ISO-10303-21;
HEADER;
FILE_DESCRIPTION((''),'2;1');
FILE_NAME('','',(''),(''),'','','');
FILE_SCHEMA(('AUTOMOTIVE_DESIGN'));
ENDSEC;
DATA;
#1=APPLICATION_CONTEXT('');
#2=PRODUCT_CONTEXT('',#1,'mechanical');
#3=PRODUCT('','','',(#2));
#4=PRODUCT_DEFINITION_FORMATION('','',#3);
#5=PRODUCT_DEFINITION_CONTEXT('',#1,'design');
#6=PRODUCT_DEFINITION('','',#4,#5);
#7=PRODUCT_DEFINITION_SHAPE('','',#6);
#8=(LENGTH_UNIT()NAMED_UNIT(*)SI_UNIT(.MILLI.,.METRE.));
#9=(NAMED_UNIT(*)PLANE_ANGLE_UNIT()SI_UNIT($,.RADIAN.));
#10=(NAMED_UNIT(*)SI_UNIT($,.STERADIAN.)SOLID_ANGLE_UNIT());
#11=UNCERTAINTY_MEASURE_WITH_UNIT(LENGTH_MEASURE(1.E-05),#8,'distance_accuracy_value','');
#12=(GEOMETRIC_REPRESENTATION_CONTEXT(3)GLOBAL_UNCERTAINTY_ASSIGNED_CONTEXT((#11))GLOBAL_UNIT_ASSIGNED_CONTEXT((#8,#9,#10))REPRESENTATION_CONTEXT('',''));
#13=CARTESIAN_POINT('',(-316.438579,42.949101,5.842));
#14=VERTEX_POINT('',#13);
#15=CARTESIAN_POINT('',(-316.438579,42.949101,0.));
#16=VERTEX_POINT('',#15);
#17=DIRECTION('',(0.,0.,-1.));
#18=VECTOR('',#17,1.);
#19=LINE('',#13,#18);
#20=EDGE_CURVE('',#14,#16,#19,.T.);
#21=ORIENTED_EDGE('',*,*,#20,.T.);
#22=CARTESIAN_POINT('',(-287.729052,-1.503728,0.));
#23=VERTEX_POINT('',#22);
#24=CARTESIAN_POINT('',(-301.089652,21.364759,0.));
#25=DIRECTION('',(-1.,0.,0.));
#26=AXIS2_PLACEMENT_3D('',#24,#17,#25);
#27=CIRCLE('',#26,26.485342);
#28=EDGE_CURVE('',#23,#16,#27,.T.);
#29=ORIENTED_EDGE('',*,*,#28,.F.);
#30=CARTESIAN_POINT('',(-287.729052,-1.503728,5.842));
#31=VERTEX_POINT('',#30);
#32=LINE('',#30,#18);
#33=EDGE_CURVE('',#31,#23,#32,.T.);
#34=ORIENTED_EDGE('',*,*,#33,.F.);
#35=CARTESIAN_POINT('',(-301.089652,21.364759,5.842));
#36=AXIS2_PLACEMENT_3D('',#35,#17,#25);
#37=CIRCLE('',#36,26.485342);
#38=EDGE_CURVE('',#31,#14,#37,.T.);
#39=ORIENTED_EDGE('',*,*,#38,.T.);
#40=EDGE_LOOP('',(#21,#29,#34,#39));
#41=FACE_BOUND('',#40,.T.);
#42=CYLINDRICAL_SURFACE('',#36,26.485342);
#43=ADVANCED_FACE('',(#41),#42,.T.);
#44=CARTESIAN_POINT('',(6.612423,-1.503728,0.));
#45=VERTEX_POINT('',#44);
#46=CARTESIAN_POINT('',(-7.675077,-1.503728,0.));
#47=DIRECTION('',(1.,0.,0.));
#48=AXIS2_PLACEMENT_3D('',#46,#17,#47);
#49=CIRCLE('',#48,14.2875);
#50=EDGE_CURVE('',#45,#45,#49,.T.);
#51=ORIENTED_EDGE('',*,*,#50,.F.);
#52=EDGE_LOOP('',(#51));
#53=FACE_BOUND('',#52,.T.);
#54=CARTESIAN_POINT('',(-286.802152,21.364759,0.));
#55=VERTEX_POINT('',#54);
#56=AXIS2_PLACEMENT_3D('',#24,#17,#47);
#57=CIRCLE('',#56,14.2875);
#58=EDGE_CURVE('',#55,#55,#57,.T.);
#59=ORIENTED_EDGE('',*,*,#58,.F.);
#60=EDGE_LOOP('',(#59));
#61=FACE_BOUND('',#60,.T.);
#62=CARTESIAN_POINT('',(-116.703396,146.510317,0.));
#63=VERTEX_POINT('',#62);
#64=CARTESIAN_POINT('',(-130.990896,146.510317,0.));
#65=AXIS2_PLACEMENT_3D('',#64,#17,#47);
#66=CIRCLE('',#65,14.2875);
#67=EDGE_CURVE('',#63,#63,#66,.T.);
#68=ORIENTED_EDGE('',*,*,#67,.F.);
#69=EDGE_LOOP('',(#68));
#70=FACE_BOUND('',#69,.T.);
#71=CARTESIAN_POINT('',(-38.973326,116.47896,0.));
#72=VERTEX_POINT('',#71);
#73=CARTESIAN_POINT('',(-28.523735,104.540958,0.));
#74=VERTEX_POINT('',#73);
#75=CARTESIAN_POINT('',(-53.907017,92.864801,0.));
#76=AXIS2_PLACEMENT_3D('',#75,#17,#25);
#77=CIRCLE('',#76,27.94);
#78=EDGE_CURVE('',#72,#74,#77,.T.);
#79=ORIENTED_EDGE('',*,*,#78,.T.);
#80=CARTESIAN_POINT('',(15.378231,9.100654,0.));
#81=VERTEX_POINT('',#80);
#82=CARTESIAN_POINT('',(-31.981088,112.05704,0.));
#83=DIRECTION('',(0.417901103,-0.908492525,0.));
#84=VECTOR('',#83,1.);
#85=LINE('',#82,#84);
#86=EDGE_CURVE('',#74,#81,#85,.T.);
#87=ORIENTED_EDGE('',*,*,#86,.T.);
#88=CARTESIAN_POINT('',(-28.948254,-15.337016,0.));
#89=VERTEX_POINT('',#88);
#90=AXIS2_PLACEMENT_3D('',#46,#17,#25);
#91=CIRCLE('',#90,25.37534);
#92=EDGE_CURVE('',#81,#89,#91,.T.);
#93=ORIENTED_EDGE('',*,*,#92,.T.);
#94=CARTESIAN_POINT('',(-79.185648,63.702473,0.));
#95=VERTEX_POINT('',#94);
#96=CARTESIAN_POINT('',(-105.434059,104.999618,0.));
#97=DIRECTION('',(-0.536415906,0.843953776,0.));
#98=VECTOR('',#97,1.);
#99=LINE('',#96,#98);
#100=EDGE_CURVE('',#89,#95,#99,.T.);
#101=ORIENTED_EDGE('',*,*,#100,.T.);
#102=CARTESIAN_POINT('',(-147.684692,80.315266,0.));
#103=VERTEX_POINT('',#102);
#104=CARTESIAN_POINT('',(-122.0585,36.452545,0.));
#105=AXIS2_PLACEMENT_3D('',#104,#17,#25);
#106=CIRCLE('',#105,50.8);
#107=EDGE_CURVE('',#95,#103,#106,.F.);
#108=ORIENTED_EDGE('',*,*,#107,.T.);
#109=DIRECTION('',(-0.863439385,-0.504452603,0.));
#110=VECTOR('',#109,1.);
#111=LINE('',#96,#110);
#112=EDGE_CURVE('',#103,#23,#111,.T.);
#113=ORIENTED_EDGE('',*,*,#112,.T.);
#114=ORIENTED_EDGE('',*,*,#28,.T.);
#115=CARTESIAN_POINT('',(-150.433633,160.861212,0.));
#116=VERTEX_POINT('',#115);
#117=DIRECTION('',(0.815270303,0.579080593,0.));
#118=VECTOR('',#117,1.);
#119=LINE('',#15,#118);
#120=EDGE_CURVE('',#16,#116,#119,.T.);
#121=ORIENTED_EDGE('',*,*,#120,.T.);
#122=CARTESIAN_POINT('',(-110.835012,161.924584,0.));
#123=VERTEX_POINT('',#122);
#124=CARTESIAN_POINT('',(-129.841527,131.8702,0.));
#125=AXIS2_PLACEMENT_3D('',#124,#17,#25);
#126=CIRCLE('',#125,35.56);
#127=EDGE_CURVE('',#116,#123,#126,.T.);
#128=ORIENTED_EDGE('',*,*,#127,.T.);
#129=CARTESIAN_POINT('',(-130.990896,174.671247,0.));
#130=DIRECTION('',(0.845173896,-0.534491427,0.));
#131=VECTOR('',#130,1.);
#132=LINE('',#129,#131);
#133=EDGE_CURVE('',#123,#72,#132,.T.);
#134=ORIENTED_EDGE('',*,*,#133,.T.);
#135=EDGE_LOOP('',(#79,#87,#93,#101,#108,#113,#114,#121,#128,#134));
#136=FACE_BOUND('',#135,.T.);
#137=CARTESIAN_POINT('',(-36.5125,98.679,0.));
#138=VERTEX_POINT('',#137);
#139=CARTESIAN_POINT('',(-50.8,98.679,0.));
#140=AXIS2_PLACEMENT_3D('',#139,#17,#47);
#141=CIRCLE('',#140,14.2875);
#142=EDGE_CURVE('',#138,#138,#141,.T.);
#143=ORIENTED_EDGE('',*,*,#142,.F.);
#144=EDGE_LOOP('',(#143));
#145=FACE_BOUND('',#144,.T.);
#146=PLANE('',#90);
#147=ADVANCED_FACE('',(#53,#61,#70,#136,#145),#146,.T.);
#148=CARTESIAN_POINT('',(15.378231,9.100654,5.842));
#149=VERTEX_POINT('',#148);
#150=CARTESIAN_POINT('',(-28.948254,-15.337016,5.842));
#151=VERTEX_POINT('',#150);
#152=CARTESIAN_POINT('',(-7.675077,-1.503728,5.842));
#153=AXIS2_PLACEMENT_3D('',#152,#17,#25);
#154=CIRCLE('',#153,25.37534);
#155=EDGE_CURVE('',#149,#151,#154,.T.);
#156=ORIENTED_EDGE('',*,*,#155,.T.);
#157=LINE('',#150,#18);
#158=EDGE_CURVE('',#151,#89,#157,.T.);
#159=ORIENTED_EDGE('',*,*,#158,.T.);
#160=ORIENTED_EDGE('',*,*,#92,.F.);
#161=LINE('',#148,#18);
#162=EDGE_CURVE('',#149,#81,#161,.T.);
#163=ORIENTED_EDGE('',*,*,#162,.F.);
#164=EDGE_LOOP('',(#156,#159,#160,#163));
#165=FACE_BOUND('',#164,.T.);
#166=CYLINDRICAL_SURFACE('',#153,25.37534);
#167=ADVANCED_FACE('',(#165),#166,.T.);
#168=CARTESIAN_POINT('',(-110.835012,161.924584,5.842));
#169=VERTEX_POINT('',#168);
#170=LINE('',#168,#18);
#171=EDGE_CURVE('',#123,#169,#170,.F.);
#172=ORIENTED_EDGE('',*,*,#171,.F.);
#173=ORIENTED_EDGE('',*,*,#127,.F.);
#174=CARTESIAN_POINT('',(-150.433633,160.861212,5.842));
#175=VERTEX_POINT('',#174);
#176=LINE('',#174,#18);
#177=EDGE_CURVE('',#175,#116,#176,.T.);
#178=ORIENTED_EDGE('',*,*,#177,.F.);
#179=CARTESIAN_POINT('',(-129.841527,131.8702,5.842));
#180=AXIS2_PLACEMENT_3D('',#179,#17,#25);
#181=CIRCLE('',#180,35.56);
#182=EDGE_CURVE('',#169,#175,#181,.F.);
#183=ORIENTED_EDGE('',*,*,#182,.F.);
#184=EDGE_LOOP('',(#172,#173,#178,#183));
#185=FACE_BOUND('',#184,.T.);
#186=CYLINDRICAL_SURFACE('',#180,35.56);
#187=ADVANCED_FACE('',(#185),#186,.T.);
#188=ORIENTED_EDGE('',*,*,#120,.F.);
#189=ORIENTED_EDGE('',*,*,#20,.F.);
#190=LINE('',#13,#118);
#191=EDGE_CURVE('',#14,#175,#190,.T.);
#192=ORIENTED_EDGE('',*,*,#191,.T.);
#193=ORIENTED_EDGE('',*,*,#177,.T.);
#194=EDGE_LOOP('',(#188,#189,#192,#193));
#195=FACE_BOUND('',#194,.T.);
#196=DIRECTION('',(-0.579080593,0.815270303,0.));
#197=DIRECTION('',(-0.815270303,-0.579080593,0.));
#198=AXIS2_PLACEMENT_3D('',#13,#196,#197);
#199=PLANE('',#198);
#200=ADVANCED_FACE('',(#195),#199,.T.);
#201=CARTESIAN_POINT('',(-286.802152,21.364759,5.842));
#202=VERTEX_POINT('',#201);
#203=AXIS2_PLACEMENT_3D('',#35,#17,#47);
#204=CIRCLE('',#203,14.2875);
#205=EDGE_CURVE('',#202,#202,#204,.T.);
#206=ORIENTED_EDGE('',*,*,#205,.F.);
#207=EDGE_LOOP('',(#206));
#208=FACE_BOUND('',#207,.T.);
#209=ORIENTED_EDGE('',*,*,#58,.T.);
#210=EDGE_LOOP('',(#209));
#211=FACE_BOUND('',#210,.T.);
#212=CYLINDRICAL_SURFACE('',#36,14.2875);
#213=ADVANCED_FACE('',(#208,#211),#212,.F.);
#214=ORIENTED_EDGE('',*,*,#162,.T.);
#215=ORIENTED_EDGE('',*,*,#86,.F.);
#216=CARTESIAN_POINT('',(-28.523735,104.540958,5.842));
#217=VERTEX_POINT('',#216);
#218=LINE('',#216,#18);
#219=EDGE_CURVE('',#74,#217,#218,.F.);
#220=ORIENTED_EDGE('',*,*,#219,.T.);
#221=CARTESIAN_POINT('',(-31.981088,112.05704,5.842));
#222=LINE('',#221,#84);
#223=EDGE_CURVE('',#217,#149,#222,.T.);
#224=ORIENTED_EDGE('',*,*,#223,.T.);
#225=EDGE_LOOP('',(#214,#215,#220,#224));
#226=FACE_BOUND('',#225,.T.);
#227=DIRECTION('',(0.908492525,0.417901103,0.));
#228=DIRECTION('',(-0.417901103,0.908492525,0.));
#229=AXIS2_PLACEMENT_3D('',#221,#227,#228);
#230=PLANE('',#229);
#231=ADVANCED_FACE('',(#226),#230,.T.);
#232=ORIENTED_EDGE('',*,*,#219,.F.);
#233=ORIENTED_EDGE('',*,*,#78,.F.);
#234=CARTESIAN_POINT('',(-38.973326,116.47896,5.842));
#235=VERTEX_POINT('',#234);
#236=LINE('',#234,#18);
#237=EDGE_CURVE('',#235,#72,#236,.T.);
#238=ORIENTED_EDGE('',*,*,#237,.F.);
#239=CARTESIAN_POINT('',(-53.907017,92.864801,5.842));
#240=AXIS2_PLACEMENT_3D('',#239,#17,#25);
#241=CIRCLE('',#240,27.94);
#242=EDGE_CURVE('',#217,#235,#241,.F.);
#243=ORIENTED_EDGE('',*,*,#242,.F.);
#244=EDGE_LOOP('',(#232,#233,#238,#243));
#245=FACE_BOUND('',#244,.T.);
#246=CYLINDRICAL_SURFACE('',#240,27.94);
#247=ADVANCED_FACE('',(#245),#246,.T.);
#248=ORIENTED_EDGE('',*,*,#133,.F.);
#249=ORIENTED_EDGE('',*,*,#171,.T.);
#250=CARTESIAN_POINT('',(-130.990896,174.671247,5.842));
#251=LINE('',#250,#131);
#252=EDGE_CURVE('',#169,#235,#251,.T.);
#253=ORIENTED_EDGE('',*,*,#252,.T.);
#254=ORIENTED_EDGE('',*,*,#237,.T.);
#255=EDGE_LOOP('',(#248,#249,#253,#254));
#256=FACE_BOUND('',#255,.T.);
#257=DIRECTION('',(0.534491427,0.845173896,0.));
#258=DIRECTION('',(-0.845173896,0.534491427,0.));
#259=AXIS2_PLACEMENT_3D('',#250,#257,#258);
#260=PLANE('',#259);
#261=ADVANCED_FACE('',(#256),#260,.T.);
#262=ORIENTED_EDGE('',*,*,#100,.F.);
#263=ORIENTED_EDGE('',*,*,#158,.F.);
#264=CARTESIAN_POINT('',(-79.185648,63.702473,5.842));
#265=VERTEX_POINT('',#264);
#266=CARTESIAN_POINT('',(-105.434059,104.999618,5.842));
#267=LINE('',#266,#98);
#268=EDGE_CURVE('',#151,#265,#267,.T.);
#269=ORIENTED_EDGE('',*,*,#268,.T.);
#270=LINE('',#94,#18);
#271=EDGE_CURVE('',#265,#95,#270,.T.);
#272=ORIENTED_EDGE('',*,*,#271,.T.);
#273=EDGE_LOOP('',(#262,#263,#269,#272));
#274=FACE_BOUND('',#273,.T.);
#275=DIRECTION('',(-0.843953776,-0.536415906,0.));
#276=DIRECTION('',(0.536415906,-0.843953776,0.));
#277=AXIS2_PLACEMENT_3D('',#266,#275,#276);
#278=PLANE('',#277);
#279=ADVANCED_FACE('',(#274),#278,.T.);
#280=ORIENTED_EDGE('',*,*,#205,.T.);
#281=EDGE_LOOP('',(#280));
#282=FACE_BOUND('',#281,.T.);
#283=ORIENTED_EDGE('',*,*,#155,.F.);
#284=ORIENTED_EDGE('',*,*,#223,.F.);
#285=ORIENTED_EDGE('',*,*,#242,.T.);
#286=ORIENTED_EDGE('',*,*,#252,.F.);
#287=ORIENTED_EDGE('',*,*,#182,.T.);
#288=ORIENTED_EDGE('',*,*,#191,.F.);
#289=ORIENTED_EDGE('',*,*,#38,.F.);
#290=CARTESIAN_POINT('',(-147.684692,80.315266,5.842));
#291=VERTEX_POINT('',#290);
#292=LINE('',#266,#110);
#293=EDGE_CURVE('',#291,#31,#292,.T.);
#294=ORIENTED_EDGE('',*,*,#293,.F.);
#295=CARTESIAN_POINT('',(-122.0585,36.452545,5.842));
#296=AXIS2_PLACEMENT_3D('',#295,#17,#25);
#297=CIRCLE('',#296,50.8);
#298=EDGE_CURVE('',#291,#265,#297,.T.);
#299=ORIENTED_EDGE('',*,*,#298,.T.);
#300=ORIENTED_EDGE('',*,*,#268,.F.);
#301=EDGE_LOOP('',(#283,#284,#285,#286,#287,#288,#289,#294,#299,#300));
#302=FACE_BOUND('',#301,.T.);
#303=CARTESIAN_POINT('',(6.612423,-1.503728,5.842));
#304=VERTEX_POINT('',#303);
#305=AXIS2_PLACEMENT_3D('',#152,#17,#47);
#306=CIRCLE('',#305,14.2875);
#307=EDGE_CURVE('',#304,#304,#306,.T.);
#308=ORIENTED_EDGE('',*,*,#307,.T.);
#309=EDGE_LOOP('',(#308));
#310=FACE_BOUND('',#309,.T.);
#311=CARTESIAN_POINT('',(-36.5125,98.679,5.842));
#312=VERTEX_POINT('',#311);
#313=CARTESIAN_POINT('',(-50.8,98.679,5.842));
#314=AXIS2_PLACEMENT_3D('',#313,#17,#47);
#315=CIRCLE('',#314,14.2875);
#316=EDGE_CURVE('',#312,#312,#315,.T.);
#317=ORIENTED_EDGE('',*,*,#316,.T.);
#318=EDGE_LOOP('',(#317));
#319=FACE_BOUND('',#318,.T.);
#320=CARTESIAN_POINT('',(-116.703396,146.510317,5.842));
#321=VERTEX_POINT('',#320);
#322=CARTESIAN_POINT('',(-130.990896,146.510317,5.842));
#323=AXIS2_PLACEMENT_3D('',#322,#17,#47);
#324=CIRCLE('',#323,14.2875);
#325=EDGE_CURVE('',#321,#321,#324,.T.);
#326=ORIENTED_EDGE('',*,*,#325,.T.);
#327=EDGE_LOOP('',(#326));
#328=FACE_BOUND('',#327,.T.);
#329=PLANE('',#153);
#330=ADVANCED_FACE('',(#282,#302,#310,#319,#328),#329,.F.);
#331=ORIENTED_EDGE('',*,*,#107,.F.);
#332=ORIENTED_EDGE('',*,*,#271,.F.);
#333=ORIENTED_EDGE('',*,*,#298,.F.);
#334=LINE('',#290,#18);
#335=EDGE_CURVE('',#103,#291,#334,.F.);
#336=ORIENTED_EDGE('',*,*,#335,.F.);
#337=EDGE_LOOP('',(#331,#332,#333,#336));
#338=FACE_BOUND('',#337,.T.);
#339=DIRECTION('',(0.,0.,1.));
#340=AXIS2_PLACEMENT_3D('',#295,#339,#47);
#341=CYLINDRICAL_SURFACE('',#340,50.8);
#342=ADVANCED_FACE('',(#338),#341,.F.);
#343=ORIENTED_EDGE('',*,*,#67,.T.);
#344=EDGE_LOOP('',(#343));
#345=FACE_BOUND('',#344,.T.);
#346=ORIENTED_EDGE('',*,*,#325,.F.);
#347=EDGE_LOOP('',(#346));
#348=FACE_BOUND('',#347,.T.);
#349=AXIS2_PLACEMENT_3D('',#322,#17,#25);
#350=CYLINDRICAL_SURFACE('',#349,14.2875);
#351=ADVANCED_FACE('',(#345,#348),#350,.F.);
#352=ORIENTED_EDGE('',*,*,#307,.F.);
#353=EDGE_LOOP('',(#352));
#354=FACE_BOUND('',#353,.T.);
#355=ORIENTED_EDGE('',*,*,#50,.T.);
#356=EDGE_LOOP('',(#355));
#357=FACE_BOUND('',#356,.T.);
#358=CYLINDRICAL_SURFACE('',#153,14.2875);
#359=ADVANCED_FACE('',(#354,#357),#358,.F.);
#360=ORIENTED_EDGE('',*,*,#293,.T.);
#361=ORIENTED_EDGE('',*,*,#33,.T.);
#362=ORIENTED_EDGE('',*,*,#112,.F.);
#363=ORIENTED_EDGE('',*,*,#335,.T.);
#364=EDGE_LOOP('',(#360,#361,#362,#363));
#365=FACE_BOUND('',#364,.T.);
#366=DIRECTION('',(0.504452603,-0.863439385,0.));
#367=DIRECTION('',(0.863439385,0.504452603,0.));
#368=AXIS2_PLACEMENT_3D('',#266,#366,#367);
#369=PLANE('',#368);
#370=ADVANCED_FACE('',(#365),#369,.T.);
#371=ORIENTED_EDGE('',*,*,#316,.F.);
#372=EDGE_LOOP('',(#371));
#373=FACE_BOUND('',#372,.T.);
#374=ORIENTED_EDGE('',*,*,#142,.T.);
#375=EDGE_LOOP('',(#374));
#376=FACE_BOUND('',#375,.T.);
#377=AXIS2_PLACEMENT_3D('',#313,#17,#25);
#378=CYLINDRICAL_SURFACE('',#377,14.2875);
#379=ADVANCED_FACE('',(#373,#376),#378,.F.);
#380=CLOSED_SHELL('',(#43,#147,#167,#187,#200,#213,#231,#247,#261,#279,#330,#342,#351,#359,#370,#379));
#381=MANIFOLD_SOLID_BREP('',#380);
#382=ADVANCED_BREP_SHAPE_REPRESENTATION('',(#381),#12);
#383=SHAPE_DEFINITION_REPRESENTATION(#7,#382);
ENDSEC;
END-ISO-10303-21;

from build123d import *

# Parameters (mm, degrees)
SKETCH1_R           = 14.2875
BOSS_EXTRUDE1_DEPTH = 5.842
FILLET6_R           = 35.56
FILLET10_R          = 27.94
FILLET13_R          = 50.8


with BuildPart() as part:
    # Sketch1 → Boss-Extrude1 (new body)
    with BuildSketch(Plane(origin=(0, 0, 0), x_dir=(-1, 0, 0), z_dir=(0, 0, -1))):
        with BuildLine():
            Line((316.43857867, 42.94910124), (130.990896358, 174.671247093))
            Line((130.990896358, 174.671247093), (31.981087973, 112.057039535))
            Line((31.981087973, 112.057039535), (-15.378230565, 9.100654441))
            ThreePointArc((-15.378230565, 9.100654441), (-4.576133352, -23.72569398), (28.948253716, -15.337015504))
            Line((28.948253716, -15.337015504), (105.434059084, 104.999617888))
            Line((105.434059084, 104.999617888), (287.729052218, -1.503728312))
            ThreePointArc((287.729052218, -1.503728312), (323.338289689, 6.995643737), (316.43857867, 42.94910124))
        make_face()
        with Locations((301.089652101, 21.3647594)):
            Circle(SKETCH1_R, mode=Mode.SUBTRACT)
        with Locations((130.990896358, 146.510317071)):
            Circle(SKETCH1_R, mode=Mode.SUBTRACT)
        with Locations((50.8, 98.679)):
            Circle(SKETCH1_R, mode=Mode.SUBTRACT)
        with Locations((7.675076536, -1.503728312)):
            Circle(SKETCH1_R, mode=Mode.SUBTRACT)
    extrude(amount=-BOSS_EXTRUDE1_DEPTH)

    # Fillet6
    fillet6_edges = [part.edges().sort_by_distance(p)[0] for p in [
        (-130.990896358, 174.671247093, 2.921),
    ]]
    fillet(fillet6_edges, radius=FILLET6_R)

    # Fillet10
    fillet10_edges = [part.edges().sort_by_distance(p)[0] for p in [
        (-31.981087973, 112.057039535, 2.921),
    ]]
    fillet(fillet10_edges, radius=FILLET10_R)

    # Fillet13
    fillet13_edges = [part.edges().sort_by_distance(p)[0] for p in [
        (-105.434059084, 104.999617888, 2.921),
    ]]
    fillet(fillet13_edges, radius=FILLET13_R)


solid = part.part
